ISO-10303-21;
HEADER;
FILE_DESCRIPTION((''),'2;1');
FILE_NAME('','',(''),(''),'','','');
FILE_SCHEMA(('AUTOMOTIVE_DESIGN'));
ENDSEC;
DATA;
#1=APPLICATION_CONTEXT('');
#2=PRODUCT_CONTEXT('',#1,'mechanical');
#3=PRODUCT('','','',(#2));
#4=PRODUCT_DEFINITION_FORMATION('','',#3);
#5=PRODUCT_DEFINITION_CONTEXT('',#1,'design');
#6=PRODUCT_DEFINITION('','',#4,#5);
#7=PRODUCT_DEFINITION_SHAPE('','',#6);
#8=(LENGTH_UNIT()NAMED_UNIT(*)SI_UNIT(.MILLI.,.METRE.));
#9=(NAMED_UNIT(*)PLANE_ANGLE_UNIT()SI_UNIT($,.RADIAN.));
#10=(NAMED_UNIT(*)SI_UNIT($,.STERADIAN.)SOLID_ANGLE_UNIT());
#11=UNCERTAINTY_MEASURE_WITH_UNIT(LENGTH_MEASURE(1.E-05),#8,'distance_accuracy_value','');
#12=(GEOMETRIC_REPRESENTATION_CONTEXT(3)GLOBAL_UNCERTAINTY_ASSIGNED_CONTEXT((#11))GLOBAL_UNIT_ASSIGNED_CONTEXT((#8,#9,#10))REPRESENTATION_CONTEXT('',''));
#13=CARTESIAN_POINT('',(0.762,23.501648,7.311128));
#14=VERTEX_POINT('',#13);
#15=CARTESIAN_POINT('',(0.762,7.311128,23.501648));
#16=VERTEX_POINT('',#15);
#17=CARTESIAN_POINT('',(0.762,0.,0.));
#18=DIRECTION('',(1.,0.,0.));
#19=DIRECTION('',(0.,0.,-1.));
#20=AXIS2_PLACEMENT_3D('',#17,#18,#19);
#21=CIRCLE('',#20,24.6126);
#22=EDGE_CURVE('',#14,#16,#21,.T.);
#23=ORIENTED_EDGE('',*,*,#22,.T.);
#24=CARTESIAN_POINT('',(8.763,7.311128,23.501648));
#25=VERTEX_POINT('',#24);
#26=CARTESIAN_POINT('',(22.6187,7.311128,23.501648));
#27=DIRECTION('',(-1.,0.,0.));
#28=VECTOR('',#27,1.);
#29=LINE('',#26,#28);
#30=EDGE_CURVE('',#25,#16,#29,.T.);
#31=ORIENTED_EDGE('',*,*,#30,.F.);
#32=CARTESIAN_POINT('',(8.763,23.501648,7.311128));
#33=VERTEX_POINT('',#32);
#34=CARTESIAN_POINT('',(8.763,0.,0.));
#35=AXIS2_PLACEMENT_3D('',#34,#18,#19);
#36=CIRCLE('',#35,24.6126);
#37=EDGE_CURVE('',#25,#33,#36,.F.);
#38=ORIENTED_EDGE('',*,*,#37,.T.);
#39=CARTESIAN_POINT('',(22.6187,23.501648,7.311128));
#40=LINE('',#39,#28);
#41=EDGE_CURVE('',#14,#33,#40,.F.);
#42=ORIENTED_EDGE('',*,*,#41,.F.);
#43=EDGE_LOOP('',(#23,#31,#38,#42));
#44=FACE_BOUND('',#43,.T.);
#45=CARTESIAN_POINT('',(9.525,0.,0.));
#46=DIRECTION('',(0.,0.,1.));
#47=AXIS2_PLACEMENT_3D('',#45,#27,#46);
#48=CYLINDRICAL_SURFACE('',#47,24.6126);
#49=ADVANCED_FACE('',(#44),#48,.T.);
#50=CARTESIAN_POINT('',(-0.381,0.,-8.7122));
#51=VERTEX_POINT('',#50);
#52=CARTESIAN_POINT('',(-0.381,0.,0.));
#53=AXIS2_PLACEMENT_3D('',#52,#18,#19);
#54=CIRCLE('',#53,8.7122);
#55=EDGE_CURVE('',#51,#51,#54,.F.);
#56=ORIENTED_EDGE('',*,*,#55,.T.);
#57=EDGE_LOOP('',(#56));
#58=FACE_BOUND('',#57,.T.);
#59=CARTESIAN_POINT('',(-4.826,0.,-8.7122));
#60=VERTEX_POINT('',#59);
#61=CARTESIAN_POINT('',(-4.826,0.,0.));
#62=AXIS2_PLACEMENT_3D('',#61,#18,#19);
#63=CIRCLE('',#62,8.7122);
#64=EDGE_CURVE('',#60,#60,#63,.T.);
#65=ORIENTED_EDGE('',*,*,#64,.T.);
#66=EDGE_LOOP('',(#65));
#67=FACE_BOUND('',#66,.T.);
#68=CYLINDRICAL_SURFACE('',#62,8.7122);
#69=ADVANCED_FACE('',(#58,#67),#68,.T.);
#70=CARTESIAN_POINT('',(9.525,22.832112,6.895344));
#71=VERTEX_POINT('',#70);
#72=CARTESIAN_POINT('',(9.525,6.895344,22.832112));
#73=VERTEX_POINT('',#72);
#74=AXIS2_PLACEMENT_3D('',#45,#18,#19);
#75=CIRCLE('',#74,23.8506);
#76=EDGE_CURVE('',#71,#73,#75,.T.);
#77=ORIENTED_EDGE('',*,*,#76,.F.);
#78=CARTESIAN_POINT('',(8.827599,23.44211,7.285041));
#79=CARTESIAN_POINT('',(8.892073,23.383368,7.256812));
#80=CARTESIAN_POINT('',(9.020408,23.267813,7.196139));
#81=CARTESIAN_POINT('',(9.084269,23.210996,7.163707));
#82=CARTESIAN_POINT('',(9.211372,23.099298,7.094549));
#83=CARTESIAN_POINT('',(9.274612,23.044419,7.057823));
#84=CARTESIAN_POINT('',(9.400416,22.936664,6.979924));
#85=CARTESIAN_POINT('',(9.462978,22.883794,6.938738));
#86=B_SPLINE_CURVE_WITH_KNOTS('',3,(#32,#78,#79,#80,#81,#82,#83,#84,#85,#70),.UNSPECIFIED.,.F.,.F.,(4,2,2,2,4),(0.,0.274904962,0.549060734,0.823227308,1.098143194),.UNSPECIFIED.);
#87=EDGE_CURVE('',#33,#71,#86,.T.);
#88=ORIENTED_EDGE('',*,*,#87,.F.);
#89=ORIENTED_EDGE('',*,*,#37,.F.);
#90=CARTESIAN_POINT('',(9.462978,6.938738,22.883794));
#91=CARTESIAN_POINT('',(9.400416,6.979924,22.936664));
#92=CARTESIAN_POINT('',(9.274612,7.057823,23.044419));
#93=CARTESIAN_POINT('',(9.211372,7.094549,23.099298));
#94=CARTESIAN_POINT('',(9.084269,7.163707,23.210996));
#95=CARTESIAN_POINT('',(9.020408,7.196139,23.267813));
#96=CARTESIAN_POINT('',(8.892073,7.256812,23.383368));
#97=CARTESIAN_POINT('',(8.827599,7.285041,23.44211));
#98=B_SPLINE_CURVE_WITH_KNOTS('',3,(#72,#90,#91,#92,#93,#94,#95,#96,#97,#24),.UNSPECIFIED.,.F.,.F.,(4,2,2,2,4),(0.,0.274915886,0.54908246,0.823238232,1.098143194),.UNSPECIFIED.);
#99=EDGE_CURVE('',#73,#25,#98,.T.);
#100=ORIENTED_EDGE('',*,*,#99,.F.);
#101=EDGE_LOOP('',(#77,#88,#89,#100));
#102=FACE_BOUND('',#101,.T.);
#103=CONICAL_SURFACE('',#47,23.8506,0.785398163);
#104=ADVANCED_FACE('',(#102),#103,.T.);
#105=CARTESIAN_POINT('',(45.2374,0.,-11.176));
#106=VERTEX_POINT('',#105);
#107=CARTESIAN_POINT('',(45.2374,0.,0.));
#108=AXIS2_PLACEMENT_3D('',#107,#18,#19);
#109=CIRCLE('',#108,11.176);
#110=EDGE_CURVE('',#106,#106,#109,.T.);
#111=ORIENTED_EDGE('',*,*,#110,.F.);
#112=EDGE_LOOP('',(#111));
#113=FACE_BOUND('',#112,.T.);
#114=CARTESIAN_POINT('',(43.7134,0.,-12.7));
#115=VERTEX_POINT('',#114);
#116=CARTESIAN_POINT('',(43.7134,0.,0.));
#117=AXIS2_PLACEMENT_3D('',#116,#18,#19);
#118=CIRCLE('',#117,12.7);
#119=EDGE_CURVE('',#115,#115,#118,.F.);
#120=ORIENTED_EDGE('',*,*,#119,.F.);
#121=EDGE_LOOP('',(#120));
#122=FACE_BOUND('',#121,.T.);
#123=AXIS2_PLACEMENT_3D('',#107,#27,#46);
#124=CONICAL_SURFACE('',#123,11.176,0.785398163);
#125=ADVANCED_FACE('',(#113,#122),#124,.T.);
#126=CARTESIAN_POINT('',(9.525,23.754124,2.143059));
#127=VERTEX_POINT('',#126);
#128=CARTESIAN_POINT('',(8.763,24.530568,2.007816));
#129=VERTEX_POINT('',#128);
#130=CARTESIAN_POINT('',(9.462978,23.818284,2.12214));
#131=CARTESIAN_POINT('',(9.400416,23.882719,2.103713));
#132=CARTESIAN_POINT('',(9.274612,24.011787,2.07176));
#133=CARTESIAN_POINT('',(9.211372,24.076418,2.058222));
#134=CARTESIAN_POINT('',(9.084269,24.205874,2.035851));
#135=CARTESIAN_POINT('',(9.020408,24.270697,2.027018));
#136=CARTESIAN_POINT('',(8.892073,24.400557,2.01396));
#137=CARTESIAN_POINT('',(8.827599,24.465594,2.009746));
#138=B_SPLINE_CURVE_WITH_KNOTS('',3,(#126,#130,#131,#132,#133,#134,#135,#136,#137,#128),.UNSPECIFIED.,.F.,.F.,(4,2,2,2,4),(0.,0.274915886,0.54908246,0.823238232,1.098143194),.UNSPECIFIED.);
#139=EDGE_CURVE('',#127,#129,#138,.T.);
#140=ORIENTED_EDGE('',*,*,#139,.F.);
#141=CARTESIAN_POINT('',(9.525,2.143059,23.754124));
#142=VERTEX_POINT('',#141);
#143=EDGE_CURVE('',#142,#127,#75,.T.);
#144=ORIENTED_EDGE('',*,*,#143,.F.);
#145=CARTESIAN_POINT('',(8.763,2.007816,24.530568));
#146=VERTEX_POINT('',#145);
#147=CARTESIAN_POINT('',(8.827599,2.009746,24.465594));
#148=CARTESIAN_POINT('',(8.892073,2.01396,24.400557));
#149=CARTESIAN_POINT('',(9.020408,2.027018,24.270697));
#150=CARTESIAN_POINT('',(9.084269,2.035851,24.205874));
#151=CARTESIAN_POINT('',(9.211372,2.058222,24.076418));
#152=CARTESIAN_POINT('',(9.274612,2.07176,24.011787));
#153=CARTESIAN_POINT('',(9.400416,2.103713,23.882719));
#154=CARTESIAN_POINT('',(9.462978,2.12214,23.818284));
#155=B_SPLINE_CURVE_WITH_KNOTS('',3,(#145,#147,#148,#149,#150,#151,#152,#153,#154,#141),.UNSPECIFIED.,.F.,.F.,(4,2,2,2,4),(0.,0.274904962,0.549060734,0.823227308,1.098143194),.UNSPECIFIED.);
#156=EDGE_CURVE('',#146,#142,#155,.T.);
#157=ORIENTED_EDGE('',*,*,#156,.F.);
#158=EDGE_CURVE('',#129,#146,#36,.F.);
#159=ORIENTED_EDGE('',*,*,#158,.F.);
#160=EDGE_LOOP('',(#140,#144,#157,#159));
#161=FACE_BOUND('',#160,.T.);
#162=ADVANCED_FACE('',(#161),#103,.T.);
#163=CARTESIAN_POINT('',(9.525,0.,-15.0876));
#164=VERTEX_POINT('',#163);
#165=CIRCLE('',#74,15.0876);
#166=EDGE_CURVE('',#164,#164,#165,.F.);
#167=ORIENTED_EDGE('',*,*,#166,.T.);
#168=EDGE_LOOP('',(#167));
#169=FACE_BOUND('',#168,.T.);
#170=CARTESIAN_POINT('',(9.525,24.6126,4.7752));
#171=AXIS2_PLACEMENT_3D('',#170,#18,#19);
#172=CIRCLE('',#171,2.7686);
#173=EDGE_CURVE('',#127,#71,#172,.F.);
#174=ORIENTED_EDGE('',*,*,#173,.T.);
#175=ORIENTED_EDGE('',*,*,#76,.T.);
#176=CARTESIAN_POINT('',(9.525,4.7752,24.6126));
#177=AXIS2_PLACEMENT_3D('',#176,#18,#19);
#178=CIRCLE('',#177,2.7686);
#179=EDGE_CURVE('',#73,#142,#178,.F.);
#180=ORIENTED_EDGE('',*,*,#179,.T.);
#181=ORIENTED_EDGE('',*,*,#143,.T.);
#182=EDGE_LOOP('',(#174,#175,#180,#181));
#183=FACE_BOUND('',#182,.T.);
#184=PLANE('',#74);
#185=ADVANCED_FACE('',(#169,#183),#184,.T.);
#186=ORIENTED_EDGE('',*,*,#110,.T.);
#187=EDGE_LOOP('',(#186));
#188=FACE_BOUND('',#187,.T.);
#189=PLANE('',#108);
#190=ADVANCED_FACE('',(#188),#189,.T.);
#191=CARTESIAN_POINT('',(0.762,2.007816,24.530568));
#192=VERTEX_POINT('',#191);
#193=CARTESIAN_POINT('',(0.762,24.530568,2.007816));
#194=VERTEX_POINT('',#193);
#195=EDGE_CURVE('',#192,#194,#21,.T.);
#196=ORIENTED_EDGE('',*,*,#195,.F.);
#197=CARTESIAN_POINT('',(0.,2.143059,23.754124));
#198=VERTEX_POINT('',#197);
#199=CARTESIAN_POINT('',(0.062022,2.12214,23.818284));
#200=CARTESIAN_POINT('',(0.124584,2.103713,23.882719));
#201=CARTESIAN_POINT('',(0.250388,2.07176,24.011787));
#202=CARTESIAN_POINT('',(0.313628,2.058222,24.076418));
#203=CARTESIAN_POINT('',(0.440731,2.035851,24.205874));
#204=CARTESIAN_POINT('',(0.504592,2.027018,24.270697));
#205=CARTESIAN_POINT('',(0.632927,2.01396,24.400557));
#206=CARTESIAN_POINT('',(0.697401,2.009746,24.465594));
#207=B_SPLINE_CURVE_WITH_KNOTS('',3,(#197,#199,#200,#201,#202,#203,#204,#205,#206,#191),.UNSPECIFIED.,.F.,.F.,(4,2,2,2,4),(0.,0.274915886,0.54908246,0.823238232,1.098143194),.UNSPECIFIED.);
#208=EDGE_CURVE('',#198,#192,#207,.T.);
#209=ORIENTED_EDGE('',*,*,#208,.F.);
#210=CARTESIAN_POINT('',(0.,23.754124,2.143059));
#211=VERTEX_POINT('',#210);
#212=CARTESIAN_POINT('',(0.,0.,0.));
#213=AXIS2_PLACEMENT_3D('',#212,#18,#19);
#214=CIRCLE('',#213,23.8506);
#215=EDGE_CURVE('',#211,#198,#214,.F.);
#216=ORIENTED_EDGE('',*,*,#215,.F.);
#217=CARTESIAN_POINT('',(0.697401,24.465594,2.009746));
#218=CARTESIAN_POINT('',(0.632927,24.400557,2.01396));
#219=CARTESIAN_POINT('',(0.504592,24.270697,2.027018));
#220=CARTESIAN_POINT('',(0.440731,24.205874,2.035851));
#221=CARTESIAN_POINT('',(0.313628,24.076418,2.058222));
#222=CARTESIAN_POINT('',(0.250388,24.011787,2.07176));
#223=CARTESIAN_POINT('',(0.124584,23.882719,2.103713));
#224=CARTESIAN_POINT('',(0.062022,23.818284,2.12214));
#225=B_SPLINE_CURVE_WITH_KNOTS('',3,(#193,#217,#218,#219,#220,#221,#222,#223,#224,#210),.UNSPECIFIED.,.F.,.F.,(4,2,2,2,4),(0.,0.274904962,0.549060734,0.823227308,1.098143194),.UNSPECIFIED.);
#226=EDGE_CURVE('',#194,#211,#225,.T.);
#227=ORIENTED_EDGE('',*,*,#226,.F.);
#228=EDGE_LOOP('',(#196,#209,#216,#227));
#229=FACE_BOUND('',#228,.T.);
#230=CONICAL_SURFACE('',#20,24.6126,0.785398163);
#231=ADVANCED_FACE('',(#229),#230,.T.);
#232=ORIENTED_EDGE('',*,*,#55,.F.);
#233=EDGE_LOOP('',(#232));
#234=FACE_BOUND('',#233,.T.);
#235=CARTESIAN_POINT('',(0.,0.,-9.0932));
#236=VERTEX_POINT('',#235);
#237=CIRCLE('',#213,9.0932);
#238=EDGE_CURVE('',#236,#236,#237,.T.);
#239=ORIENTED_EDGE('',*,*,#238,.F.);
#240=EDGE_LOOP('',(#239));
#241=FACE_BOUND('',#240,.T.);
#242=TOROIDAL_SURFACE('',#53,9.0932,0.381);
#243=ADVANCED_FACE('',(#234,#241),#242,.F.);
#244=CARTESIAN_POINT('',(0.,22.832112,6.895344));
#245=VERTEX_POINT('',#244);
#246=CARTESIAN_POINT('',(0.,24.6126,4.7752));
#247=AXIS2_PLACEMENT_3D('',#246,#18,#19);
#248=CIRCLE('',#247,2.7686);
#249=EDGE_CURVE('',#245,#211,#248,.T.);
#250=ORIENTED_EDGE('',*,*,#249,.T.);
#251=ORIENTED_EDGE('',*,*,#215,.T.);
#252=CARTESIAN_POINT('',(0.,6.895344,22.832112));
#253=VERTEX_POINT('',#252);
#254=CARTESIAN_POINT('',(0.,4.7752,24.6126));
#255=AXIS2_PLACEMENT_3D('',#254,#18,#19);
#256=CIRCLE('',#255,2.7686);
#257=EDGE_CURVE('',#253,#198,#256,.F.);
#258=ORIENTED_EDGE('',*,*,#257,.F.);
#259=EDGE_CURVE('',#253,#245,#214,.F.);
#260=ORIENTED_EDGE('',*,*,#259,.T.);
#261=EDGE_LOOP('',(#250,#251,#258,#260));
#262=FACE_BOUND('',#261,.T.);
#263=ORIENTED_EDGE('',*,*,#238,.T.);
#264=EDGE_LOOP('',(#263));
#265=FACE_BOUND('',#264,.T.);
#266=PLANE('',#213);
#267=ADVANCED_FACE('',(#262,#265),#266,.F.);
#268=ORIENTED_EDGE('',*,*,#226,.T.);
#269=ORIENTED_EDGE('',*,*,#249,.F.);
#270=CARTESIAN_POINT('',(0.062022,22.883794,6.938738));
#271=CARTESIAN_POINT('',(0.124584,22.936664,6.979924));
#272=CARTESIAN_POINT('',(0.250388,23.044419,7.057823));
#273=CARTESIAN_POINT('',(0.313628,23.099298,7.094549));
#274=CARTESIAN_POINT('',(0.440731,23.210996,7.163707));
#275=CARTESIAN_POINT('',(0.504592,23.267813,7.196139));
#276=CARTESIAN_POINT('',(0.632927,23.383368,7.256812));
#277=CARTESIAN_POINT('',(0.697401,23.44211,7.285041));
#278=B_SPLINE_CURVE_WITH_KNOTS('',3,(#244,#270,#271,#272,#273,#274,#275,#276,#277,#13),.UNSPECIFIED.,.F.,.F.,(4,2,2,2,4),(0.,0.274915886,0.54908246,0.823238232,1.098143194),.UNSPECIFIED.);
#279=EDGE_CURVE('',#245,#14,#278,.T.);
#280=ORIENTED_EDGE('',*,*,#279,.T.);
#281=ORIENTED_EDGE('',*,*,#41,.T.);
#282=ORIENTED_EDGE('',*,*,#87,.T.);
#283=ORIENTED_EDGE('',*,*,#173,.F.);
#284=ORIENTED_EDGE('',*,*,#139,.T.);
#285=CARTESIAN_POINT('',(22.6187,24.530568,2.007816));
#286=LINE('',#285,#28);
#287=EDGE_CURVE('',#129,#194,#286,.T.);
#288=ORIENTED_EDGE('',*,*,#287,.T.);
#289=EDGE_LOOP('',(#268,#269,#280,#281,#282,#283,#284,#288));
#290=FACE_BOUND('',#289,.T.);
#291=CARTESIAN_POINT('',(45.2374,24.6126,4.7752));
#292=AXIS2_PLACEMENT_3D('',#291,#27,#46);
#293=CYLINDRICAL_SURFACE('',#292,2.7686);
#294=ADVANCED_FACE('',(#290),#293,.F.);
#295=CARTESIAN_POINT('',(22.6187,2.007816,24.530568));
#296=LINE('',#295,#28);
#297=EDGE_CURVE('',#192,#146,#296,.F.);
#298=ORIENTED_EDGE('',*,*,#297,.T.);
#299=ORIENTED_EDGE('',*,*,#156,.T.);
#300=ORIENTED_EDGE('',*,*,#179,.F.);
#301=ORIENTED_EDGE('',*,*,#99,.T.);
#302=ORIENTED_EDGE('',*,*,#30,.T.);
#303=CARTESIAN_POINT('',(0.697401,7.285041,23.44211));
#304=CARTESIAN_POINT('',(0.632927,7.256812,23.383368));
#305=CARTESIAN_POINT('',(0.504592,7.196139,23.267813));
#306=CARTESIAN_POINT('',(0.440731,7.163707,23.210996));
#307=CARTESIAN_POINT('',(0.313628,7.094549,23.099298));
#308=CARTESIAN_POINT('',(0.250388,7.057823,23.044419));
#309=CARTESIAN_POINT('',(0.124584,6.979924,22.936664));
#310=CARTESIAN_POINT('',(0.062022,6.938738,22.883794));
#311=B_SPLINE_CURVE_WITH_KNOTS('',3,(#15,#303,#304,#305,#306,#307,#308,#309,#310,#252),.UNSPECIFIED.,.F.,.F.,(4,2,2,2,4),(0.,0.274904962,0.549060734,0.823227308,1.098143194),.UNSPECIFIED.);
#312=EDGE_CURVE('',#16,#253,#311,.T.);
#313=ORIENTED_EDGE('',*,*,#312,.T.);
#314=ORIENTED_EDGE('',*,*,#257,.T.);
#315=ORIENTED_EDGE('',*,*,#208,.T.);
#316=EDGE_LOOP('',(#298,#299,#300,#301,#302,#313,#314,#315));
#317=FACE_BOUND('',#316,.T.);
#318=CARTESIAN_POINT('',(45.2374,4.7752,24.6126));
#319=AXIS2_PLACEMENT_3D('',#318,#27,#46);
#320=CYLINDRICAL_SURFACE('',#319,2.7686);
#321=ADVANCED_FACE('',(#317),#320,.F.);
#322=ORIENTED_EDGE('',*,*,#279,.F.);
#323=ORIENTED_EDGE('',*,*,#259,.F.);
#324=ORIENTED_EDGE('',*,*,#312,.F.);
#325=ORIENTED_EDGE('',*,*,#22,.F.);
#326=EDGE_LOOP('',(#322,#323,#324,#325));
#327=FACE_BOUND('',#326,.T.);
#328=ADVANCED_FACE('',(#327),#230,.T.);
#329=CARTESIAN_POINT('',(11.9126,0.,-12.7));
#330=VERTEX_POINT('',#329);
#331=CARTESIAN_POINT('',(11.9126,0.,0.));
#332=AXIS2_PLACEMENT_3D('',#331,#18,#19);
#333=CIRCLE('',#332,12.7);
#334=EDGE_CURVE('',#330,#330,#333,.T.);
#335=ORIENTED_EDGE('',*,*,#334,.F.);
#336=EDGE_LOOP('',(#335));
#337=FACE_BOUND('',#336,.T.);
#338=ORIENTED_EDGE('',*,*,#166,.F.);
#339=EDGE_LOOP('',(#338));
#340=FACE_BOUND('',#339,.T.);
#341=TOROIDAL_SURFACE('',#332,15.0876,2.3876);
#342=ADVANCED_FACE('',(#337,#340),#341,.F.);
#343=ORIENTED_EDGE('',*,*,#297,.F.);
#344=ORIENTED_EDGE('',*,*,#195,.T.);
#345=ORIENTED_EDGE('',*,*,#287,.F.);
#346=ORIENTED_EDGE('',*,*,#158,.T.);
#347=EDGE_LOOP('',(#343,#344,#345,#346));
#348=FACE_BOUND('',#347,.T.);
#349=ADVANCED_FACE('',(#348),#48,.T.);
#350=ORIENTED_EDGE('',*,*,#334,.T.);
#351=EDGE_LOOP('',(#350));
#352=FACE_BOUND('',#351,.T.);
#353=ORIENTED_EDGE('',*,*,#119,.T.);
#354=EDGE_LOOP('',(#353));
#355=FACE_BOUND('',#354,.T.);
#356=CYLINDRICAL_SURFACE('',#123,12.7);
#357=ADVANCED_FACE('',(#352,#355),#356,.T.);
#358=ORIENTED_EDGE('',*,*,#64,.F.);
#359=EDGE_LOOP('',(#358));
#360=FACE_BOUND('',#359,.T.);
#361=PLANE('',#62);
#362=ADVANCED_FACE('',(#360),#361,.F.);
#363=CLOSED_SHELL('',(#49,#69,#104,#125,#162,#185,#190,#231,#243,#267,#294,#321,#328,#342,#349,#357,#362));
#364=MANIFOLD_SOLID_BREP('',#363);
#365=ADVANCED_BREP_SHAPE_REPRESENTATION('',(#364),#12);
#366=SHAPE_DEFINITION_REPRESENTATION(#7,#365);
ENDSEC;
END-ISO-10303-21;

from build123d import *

# Parameters (mm, degrees)
SKETCH1_R           = 24.6126
BOSS_EXTRUDE1_DEPTH = 9.525
BOSS_EXTRUDE2_START = 9.525
SKETCH2_R           = 12.7
BOSS_EXTRUDE2_DEPTH = 35.7124
SKETCH3_R           = 8.7122
BOSS_EXTRUDE4_DEPTH = 4.826
SKETCH4_R           = 2.7686
CUT_EXTRUDE2_DEPTH  = 58.078739617
FILLET1_R           = 0.381
FILLET2_R           = 2.3876
CHAMFER1_SIZE       = 0.762
CHAMFER2_SIZE       = 1.524


with BuildPart() as part:
    # Sketch1 → Boss-Extrude1 (new body)
    with BuildSketch(Plane.YZ):
        with Locations(Location((0, 0, 0), (0, 0, 270))):
            Circle(SKETCH1_R)
    extrude(amount=BOSS_EXTRUDE1_DEPTH)

    # Sketch2 → Boss-Extrude2 (add)
    with BuildSketch(Plane.YZ.offset(BOSS_EXTRUDE2_START)):
        with Locations(Location((0, 0, 0), (0, 0, 270))):
            Circle(SKETCH2_R)
    extrude(amount=BOSS_EXTRUDE2_DEPTH)

    # Sketch3 → Boss-Extrude4 (add)
    with BuildSketch(Plane.YZ):
        with Locations(Location((0, 0, 0), (0, 0, 270))):
            Circle(SKETCH3_R)
    extrude(amount=-BOSS_EXTRUDE4_DEPTH)

    # Sketch4 → Cut-Extrude2 (cut, through all)
    with BuildSketch(Plane.YZ):
        with Locations((24.6126, 44.45)):
            Circle(SKETCH4_R)
        with Locations((44.45, 24.6126)):
            Circle(SKETCH4_R)
        with Locations((24.6126, 4.7752)):
            Circle(SKETCH4_R)
        with Locations((4.7752, 24.6126)):
            Circle(SKETCH4_R)
    extrude(amount=CUT_EXTRUDE2_DEPTH, mode=Mode.SUBTRACT)

    # Fillet1
    fillet1_edges = [part.edges().sort_by_distance(p)[0] for p in [
        (0, 0, 8.7122),
    ]]
    fillet(fillet1_edges, radius=FILLET1_R)

    # Fillet2
    fillet2_edges = [part.edges().sort_by_distance(p)[0] for p in [
        (9.525, 0, 12.7),
    ]]
    fillet(fillet2_edges, radius=FILLET2_R)

    # Chamfer1
    chamfer1_edges = [part.edges().sort_by_distance(p)[0] for p in [
        (0, 17.403736363, 17.403736363),
        (0, -17.403736363, -17.403736363),
        (9.525, 17.403736363, 17.403736363),
        (9.525, -17.403736363, -17.403736363),
    ]]
    chamfer(chamfer1_edges, length=CHAMFER1_SIZE)

    # Chamfer2
    chamfer2_edges = [part.edges().sort_by_distance(p)[0] for p in [
        (45.2374, 0, 12.7),
    ]]
    chamfer(chamfer2_edges, length=CHAMFER2_SIZE)


solid = part.part
